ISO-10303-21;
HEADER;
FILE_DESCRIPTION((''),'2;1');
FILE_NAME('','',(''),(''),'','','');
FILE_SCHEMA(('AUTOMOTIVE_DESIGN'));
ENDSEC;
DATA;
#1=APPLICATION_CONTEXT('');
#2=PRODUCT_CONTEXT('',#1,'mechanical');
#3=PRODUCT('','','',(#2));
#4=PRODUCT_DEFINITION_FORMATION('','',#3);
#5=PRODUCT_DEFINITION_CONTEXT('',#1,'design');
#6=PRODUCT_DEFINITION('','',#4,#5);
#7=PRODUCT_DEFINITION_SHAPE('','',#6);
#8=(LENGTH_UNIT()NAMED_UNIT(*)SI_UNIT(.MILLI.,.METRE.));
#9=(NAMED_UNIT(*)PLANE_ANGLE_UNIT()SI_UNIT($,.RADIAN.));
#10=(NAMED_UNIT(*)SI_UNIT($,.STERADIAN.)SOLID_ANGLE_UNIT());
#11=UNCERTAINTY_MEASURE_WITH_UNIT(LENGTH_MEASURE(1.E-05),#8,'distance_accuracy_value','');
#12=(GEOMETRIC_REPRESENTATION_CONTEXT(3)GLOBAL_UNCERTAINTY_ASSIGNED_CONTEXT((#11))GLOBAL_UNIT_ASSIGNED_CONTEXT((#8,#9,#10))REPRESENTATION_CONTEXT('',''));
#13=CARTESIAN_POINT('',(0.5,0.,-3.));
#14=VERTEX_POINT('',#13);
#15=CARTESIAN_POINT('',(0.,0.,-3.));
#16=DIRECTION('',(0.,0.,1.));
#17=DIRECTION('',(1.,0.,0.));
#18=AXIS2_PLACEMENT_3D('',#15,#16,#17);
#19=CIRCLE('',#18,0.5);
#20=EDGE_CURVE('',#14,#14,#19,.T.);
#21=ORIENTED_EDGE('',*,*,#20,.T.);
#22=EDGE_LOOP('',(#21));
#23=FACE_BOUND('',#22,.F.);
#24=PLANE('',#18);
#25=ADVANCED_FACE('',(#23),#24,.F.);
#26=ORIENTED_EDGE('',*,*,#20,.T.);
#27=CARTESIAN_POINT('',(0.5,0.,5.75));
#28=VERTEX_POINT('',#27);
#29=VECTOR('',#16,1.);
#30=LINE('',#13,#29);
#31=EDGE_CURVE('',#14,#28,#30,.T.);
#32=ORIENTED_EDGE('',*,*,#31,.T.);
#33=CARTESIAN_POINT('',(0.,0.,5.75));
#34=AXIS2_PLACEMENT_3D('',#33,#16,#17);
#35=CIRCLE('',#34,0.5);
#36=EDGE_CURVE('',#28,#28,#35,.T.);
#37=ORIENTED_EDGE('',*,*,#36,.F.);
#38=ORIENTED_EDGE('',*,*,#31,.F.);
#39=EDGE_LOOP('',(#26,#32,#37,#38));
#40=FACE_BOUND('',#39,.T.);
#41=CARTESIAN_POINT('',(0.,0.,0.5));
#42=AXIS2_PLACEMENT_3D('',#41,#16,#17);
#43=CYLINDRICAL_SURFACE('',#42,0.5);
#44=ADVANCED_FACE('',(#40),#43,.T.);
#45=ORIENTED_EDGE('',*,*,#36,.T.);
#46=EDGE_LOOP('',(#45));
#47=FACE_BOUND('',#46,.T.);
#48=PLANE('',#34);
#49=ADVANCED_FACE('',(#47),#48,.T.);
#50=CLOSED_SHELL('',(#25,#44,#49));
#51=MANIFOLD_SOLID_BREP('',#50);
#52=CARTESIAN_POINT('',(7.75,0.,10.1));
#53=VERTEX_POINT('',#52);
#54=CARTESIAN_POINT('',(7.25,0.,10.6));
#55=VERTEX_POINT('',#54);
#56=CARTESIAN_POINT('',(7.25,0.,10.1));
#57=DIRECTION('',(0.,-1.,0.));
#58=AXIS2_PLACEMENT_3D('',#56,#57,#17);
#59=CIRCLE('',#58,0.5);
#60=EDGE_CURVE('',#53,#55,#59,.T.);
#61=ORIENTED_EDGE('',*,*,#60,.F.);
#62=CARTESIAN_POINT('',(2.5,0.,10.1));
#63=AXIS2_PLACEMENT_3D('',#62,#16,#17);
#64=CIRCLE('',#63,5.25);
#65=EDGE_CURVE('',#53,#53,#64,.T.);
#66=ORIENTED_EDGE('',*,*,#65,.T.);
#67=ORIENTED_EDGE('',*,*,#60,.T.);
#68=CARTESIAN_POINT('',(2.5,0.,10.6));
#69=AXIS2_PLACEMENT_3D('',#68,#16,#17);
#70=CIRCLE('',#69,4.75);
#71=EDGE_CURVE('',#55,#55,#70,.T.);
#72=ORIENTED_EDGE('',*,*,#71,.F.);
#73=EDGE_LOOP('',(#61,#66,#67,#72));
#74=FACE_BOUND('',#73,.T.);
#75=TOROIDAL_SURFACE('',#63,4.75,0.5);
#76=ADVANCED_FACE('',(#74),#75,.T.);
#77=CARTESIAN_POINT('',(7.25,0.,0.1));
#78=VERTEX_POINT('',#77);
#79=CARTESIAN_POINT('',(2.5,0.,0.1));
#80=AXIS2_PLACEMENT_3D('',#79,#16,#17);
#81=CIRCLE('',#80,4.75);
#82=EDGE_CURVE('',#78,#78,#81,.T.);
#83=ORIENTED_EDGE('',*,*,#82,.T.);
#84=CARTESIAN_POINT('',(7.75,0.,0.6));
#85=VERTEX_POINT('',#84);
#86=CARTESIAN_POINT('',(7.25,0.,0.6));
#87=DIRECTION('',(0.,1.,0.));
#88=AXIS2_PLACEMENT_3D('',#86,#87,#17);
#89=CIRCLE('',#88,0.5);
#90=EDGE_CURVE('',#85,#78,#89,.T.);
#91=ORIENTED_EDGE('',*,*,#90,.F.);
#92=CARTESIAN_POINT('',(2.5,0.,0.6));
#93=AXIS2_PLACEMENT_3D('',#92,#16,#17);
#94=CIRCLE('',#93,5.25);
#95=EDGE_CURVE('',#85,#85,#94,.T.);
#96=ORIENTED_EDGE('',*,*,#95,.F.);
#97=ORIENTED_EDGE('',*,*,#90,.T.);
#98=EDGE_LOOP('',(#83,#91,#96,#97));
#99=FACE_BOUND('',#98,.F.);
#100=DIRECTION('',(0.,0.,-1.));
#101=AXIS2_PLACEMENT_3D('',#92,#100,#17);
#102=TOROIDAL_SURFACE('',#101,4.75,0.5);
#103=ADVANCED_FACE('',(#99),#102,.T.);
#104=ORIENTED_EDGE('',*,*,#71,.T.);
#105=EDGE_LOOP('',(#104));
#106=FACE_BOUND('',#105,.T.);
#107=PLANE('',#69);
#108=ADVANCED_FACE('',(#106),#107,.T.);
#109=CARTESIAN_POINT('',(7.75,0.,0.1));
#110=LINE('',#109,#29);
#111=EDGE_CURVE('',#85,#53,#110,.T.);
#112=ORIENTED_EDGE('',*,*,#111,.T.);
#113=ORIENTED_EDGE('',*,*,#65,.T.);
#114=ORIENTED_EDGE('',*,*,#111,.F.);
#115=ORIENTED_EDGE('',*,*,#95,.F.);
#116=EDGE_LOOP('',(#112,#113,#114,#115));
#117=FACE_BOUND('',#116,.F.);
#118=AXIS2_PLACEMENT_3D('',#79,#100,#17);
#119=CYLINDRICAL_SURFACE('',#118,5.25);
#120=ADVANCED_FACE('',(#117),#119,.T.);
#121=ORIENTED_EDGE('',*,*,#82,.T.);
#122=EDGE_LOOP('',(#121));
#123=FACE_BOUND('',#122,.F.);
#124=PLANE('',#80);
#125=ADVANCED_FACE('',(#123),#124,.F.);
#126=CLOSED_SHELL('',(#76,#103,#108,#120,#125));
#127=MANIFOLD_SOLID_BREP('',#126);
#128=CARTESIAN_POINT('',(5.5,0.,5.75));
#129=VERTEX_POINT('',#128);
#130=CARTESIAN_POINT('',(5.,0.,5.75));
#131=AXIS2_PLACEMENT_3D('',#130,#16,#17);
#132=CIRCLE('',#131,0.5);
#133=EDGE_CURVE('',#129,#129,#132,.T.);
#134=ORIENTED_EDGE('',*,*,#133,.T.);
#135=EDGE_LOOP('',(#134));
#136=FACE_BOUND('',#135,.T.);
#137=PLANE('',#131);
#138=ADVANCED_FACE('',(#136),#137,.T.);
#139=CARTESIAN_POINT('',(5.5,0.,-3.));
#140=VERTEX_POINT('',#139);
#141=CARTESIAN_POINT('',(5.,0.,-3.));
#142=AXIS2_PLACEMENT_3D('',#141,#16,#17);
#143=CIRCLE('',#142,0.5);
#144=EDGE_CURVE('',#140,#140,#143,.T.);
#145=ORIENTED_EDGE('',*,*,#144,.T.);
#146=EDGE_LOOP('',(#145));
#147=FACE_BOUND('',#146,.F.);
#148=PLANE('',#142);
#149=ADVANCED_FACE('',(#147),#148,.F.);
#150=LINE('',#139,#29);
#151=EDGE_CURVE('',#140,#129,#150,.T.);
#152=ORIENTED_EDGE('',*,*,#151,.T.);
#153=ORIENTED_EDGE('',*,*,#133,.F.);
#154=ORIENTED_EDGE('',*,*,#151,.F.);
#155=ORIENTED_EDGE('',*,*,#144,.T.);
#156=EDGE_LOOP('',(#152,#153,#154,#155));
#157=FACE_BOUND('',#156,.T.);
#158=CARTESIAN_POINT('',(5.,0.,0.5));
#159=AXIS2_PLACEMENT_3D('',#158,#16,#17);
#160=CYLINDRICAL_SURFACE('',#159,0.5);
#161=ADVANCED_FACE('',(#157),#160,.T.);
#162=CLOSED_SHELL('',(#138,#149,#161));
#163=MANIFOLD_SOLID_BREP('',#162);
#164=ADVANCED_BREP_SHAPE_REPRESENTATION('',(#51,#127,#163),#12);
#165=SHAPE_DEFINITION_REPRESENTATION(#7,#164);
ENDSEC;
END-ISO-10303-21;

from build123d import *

# Parameters (mm, degrees)
SKETCH001_R       = 0.5
PAD001_DEPTH      = 5.25
PAD001_DEPTH_BACK = 3.5
SKETCH_R          = 5.25
PAD_DEPTH         = 10.5
FILLET_R          = 0.5


with BuildPart() as pad001:
    # Sketch001 → Pad001 (new body, two sides)
    with BuildSketch(Plane.XY.offset(0.5)) as pad001_sk:
        Circle(SKETCH001_R)
        with Locations((5, 0)):
            Circle(SKETCH001_R)
    extrude(amount=PAD001_DEPTH)
    extrude(pad001_sk.sketch, amount=-PAD001_DEPTH_BACK)


with BuildPart() as fillet_body:
    # Sketch → Pad (new body)
    with BuildSketch(Plane.XY.offset(0.1)):
        with Locations((2.5, 0)):
            Circle(SKETCH_R)
    extrude(amount=PAD_DEPTH)

    # Fillet
    fillet_edges = [fillet_body.edges().sort_by_distance(p)[0] for p in [
        (-2.75, 0, 0.1),
        (-2.75, 0, 10.6),
    ]]
    fillet(fillet_edges, radius=FILLET_R)


solid = Compound([pad001.part, fillet_body.part])
